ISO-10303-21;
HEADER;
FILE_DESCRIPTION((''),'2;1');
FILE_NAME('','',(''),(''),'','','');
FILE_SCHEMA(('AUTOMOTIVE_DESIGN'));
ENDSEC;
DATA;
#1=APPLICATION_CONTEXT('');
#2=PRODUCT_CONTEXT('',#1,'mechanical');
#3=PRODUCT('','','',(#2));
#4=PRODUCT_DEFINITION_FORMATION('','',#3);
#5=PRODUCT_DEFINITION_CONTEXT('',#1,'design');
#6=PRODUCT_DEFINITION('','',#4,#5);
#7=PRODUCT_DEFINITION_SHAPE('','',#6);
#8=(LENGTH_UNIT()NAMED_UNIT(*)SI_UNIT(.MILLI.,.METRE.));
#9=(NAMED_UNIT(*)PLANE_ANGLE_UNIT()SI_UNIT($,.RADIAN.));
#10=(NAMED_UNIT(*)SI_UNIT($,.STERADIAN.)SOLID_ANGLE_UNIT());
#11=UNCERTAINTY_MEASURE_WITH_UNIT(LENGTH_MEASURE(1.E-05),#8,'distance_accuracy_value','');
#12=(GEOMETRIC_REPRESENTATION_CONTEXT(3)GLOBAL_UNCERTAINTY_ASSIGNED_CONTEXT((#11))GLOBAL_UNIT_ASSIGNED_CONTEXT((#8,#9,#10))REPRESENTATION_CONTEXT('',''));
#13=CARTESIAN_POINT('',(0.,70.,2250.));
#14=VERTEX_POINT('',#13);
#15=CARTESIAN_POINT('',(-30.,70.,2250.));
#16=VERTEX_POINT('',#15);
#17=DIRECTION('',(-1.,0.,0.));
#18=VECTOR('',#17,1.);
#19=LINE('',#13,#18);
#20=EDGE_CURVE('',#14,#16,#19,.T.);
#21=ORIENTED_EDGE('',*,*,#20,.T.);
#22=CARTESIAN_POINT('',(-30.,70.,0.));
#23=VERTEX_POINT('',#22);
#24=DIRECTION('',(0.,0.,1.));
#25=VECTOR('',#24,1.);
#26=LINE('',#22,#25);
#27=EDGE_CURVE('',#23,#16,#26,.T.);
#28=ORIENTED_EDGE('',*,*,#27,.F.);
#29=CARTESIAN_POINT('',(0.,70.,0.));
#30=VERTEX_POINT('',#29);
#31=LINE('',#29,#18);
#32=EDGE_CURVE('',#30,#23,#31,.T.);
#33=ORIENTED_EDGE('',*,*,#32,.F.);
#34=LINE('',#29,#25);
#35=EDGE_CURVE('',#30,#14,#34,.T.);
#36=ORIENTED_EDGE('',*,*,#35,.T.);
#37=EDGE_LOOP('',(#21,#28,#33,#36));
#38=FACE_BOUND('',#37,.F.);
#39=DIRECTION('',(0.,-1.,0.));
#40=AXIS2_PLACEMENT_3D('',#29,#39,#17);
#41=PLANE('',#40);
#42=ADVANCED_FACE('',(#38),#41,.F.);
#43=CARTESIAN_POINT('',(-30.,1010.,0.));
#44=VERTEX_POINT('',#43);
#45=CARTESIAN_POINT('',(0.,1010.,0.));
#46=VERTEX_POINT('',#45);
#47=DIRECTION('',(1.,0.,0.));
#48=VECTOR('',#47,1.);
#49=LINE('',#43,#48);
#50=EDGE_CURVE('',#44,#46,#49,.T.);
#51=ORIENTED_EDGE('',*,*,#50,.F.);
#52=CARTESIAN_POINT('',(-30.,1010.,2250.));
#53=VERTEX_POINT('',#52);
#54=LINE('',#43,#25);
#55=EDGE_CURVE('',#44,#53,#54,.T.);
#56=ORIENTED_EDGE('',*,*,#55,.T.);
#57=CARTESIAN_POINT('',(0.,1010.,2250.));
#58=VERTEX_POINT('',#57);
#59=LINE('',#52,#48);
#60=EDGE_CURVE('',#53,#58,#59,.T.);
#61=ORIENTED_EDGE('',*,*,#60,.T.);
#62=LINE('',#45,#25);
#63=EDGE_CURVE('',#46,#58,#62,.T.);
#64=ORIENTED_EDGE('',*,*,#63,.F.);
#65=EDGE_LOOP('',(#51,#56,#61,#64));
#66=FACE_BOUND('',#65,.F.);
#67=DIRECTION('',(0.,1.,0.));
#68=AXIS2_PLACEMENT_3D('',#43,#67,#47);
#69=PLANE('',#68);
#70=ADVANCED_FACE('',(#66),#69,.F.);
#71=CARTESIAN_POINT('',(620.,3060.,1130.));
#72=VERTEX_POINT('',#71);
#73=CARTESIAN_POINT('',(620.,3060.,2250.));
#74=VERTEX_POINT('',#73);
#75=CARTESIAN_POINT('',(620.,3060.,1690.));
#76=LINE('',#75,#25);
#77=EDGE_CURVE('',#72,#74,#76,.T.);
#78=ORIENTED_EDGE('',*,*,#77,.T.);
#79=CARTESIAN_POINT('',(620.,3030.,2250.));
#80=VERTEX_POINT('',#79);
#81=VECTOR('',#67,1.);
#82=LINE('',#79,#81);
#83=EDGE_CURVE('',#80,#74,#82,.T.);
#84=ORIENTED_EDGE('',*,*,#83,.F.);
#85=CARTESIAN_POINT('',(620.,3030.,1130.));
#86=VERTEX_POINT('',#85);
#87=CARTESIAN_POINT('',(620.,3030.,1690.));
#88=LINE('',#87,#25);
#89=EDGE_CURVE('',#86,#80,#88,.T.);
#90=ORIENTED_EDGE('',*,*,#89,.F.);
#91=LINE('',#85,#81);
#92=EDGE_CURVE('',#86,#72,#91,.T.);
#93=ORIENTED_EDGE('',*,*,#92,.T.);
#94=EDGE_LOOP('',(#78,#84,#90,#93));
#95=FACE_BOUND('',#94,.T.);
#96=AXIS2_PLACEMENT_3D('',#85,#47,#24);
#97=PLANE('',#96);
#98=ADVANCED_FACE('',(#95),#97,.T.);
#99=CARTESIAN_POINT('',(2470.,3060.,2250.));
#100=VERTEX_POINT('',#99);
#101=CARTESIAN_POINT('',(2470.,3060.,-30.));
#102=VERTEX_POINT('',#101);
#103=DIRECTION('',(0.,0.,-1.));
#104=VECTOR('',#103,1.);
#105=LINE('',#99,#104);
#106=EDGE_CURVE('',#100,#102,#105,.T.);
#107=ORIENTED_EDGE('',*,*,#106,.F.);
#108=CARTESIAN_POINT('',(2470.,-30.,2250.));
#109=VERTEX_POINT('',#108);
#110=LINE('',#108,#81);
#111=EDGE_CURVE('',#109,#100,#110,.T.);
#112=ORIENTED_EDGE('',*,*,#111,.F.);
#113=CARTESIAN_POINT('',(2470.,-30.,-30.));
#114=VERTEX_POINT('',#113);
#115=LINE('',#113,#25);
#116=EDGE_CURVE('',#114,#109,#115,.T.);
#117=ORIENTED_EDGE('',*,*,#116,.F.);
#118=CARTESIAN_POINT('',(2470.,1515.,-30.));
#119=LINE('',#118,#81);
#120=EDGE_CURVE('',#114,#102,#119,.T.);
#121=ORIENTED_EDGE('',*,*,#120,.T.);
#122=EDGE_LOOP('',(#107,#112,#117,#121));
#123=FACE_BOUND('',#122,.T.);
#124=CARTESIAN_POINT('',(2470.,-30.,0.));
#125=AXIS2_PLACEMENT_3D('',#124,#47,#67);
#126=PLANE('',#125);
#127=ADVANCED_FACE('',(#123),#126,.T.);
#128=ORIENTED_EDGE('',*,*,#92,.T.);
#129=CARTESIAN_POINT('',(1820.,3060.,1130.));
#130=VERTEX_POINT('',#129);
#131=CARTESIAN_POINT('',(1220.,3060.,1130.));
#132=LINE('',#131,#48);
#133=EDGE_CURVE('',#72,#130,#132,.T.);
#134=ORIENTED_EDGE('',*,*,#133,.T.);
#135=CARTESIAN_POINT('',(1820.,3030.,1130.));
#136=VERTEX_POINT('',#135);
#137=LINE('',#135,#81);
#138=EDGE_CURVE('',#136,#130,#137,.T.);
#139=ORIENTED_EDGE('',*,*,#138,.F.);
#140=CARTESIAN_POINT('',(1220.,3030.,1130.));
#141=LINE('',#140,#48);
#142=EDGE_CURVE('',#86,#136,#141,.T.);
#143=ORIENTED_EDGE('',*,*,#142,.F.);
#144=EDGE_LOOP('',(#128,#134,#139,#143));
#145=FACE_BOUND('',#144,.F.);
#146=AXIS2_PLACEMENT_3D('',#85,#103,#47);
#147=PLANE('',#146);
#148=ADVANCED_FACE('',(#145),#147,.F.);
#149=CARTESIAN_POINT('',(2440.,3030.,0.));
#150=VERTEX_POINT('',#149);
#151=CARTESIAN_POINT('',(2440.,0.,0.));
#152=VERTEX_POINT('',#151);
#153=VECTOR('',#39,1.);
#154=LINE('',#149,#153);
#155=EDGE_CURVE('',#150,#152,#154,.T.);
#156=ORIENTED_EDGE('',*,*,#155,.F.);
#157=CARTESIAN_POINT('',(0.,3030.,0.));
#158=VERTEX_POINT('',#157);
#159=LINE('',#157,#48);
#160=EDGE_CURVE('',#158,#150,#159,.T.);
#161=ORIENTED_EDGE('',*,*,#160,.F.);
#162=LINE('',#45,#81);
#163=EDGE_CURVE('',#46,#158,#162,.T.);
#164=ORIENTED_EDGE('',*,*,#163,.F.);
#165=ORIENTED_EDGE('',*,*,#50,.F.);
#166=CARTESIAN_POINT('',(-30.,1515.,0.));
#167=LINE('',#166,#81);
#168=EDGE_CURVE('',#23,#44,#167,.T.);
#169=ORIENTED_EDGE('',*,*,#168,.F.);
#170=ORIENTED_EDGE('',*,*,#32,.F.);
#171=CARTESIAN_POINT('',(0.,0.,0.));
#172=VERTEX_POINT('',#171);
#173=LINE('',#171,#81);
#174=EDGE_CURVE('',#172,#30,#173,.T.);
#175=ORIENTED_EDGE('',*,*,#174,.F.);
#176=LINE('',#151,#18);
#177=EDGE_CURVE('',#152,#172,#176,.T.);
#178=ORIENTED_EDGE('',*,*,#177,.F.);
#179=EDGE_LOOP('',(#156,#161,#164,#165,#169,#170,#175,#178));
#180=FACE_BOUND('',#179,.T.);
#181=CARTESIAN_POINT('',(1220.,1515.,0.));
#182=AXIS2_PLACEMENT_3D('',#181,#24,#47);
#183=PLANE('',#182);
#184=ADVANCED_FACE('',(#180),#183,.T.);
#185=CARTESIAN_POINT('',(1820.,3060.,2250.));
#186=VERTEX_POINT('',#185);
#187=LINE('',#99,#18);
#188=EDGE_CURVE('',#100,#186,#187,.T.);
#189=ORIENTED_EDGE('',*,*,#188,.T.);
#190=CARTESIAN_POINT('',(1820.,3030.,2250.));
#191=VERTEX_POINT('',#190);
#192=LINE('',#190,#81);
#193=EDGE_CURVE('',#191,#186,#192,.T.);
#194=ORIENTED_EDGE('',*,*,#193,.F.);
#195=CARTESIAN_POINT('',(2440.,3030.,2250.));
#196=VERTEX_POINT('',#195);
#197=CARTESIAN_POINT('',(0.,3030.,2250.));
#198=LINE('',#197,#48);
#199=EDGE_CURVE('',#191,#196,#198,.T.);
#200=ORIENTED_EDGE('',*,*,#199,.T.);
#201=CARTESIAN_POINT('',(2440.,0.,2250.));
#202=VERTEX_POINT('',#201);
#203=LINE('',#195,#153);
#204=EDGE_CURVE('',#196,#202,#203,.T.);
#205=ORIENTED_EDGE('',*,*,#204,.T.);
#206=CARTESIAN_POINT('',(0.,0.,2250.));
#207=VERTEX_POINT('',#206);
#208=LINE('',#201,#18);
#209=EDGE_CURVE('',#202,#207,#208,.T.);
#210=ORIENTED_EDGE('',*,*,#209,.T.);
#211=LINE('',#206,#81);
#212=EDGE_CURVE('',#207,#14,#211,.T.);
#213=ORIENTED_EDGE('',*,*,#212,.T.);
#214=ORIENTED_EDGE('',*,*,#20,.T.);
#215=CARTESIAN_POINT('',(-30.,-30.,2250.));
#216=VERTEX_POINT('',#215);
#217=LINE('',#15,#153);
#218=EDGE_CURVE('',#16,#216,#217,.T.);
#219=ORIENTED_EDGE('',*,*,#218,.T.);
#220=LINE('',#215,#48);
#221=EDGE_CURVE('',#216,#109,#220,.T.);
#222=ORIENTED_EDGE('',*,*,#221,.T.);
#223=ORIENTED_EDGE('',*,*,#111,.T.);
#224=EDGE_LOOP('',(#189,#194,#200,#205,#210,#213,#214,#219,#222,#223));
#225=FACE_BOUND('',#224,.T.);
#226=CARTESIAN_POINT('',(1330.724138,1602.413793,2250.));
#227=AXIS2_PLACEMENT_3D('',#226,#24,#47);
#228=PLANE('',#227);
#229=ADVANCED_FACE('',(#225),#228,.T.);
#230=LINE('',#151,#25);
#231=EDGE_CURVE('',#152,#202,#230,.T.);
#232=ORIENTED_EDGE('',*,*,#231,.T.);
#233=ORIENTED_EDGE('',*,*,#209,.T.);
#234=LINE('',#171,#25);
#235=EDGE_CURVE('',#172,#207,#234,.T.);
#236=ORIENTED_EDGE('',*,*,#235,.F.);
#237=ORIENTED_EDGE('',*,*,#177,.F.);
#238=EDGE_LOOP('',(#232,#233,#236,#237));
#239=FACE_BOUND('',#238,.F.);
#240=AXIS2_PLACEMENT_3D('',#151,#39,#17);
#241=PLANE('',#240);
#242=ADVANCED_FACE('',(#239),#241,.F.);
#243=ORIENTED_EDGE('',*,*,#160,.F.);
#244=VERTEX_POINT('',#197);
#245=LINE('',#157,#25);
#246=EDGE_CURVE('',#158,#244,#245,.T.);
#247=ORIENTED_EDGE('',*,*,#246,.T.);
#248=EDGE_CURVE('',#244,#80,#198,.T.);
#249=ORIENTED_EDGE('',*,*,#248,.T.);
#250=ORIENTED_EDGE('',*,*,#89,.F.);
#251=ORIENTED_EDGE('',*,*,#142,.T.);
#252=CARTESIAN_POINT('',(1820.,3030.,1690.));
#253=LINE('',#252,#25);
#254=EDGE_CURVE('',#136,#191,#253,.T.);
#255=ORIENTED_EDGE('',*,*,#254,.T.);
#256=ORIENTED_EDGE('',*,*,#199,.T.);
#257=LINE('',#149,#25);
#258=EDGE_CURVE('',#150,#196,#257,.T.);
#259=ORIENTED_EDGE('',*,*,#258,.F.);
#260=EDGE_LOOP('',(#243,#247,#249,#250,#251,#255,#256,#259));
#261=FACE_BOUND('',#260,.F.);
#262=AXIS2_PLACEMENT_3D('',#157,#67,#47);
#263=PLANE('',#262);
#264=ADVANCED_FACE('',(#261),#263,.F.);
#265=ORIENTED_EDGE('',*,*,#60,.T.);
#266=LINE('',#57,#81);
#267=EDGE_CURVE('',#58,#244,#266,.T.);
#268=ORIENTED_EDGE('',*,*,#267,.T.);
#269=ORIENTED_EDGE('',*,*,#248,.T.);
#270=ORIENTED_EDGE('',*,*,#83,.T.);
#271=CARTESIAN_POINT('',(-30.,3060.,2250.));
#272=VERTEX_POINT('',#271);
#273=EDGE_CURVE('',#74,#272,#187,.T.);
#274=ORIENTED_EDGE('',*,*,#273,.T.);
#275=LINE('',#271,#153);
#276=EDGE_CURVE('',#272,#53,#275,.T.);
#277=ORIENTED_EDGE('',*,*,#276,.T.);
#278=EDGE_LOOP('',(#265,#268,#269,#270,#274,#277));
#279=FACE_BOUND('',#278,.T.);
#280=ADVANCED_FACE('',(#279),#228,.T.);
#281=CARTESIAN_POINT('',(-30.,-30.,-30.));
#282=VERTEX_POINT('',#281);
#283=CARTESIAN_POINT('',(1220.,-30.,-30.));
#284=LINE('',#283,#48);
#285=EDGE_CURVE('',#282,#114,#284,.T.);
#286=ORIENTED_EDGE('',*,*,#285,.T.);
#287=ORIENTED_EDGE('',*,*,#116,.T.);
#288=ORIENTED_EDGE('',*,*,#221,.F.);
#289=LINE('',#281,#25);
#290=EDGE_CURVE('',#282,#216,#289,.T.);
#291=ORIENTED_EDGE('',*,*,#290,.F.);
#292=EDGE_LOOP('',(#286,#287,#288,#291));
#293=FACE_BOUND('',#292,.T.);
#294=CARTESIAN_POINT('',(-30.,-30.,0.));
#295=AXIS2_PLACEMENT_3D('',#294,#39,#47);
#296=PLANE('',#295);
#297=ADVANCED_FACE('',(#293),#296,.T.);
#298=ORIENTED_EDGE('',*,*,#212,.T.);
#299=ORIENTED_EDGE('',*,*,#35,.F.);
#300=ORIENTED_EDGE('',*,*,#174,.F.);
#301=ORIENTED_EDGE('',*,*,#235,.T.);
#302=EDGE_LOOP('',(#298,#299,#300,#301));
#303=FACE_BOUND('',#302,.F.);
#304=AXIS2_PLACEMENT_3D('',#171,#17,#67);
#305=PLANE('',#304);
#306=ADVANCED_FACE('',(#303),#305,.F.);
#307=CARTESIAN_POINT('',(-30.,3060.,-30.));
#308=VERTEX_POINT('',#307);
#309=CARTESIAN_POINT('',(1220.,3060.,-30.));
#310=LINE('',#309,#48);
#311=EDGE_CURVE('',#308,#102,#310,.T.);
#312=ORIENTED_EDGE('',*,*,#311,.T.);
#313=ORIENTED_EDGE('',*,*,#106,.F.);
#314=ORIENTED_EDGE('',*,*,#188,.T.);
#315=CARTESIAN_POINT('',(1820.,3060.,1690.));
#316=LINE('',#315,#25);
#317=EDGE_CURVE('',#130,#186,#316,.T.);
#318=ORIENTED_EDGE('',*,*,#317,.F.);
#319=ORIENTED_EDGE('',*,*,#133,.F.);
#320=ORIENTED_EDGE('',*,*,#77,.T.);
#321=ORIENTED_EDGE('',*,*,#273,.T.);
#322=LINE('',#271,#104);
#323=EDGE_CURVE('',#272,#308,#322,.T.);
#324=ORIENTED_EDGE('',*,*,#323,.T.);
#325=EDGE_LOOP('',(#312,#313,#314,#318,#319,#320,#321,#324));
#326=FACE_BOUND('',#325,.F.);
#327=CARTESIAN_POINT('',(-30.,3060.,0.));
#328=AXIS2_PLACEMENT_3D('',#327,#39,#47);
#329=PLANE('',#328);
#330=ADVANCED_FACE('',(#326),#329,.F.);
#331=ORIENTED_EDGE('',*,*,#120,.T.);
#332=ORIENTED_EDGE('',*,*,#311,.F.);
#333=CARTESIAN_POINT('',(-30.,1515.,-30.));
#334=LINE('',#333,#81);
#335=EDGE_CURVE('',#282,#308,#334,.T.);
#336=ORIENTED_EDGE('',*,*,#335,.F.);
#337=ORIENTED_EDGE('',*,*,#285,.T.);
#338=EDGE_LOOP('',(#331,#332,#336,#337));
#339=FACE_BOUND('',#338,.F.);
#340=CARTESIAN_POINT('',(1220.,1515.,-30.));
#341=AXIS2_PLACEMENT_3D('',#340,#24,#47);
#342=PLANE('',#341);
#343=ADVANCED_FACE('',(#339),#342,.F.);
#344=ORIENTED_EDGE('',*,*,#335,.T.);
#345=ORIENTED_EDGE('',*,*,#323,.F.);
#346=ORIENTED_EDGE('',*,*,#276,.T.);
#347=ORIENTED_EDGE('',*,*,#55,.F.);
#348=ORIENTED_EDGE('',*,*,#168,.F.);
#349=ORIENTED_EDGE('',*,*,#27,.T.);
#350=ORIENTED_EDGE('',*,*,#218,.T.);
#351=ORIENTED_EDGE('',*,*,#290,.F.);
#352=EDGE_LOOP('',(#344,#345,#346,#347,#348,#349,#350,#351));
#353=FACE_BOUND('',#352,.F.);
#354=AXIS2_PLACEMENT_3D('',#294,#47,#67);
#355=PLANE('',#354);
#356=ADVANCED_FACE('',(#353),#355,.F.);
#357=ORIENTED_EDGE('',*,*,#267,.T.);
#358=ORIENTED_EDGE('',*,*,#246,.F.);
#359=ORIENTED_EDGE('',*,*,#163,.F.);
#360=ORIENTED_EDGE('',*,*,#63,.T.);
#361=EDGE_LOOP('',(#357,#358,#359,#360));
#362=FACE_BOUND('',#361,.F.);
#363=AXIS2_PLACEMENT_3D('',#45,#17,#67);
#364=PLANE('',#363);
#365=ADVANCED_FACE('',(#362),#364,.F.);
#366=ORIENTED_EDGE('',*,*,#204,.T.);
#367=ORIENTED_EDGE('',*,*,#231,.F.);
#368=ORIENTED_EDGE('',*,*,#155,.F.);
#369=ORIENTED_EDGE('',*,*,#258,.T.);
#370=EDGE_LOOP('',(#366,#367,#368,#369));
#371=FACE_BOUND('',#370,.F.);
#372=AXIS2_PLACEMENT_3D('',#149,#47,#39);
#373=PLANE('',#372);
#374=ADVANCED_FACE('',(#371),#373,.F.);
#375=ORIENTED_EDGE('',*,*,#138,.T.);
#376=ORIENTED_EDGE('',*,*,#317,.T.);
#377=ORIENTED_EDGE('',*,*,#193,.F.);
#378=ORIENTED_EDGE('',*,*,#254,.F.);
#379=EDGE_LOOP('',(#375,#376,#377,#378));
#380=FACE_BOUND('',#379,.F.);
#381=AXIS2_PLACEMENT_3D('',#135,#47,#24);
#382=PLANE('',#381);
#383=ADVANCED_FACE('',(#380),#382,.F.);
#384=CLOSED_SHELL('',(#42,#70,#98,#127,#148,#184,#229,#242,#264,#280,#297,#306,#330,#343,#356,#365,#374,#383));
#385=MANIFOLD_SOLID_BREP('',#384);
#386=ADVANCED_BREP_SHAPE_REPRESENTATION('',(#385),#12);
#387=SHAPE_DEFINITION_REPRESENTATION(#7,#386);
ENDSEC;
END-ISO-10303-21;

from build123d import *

# Parameters (mm, degrees)
F1_DEPTH = 2250
F2_W     = 2500
F2_H     = 3090
F3_DEPTH = 30
F4_W     = 1200
F4_H     = 1120
F5_DEPTH = 30


with BuildPart() as f1:
    # F0 (on Top) → F1 (new body)
    with BuildSketch(Plane.XY):
        Polygon((0, 1010), (0, 3030), (2440, 3030), (2440, 0), (0, 0), (0, 70), (-30, 70), (-30, -30), (2470, -30), (2470, 3060), (-30, 3060), (-30, 1010), align=None)
    extrude(amount=F1_DEPTH)

    # F2 (on Top) → F3 (join)
    with BuildSketch(Plane.XY):
        with Locations((1220, 1515)):
            Rectangle(F2_W, F2_H)
    extrude(amount=-F3_DEPTH)

    # F4 (on face) → F5 (cut, through all)
    with BuildSketch(Plane.XZ.offset(-3030)):
        with Locations((1220, 1690)):
            Rectangle(F4_W, F4_H)
    extrude(amount=-F5_DEPTH, mode=Mode.SUBTRACT)


solid = f1.part
